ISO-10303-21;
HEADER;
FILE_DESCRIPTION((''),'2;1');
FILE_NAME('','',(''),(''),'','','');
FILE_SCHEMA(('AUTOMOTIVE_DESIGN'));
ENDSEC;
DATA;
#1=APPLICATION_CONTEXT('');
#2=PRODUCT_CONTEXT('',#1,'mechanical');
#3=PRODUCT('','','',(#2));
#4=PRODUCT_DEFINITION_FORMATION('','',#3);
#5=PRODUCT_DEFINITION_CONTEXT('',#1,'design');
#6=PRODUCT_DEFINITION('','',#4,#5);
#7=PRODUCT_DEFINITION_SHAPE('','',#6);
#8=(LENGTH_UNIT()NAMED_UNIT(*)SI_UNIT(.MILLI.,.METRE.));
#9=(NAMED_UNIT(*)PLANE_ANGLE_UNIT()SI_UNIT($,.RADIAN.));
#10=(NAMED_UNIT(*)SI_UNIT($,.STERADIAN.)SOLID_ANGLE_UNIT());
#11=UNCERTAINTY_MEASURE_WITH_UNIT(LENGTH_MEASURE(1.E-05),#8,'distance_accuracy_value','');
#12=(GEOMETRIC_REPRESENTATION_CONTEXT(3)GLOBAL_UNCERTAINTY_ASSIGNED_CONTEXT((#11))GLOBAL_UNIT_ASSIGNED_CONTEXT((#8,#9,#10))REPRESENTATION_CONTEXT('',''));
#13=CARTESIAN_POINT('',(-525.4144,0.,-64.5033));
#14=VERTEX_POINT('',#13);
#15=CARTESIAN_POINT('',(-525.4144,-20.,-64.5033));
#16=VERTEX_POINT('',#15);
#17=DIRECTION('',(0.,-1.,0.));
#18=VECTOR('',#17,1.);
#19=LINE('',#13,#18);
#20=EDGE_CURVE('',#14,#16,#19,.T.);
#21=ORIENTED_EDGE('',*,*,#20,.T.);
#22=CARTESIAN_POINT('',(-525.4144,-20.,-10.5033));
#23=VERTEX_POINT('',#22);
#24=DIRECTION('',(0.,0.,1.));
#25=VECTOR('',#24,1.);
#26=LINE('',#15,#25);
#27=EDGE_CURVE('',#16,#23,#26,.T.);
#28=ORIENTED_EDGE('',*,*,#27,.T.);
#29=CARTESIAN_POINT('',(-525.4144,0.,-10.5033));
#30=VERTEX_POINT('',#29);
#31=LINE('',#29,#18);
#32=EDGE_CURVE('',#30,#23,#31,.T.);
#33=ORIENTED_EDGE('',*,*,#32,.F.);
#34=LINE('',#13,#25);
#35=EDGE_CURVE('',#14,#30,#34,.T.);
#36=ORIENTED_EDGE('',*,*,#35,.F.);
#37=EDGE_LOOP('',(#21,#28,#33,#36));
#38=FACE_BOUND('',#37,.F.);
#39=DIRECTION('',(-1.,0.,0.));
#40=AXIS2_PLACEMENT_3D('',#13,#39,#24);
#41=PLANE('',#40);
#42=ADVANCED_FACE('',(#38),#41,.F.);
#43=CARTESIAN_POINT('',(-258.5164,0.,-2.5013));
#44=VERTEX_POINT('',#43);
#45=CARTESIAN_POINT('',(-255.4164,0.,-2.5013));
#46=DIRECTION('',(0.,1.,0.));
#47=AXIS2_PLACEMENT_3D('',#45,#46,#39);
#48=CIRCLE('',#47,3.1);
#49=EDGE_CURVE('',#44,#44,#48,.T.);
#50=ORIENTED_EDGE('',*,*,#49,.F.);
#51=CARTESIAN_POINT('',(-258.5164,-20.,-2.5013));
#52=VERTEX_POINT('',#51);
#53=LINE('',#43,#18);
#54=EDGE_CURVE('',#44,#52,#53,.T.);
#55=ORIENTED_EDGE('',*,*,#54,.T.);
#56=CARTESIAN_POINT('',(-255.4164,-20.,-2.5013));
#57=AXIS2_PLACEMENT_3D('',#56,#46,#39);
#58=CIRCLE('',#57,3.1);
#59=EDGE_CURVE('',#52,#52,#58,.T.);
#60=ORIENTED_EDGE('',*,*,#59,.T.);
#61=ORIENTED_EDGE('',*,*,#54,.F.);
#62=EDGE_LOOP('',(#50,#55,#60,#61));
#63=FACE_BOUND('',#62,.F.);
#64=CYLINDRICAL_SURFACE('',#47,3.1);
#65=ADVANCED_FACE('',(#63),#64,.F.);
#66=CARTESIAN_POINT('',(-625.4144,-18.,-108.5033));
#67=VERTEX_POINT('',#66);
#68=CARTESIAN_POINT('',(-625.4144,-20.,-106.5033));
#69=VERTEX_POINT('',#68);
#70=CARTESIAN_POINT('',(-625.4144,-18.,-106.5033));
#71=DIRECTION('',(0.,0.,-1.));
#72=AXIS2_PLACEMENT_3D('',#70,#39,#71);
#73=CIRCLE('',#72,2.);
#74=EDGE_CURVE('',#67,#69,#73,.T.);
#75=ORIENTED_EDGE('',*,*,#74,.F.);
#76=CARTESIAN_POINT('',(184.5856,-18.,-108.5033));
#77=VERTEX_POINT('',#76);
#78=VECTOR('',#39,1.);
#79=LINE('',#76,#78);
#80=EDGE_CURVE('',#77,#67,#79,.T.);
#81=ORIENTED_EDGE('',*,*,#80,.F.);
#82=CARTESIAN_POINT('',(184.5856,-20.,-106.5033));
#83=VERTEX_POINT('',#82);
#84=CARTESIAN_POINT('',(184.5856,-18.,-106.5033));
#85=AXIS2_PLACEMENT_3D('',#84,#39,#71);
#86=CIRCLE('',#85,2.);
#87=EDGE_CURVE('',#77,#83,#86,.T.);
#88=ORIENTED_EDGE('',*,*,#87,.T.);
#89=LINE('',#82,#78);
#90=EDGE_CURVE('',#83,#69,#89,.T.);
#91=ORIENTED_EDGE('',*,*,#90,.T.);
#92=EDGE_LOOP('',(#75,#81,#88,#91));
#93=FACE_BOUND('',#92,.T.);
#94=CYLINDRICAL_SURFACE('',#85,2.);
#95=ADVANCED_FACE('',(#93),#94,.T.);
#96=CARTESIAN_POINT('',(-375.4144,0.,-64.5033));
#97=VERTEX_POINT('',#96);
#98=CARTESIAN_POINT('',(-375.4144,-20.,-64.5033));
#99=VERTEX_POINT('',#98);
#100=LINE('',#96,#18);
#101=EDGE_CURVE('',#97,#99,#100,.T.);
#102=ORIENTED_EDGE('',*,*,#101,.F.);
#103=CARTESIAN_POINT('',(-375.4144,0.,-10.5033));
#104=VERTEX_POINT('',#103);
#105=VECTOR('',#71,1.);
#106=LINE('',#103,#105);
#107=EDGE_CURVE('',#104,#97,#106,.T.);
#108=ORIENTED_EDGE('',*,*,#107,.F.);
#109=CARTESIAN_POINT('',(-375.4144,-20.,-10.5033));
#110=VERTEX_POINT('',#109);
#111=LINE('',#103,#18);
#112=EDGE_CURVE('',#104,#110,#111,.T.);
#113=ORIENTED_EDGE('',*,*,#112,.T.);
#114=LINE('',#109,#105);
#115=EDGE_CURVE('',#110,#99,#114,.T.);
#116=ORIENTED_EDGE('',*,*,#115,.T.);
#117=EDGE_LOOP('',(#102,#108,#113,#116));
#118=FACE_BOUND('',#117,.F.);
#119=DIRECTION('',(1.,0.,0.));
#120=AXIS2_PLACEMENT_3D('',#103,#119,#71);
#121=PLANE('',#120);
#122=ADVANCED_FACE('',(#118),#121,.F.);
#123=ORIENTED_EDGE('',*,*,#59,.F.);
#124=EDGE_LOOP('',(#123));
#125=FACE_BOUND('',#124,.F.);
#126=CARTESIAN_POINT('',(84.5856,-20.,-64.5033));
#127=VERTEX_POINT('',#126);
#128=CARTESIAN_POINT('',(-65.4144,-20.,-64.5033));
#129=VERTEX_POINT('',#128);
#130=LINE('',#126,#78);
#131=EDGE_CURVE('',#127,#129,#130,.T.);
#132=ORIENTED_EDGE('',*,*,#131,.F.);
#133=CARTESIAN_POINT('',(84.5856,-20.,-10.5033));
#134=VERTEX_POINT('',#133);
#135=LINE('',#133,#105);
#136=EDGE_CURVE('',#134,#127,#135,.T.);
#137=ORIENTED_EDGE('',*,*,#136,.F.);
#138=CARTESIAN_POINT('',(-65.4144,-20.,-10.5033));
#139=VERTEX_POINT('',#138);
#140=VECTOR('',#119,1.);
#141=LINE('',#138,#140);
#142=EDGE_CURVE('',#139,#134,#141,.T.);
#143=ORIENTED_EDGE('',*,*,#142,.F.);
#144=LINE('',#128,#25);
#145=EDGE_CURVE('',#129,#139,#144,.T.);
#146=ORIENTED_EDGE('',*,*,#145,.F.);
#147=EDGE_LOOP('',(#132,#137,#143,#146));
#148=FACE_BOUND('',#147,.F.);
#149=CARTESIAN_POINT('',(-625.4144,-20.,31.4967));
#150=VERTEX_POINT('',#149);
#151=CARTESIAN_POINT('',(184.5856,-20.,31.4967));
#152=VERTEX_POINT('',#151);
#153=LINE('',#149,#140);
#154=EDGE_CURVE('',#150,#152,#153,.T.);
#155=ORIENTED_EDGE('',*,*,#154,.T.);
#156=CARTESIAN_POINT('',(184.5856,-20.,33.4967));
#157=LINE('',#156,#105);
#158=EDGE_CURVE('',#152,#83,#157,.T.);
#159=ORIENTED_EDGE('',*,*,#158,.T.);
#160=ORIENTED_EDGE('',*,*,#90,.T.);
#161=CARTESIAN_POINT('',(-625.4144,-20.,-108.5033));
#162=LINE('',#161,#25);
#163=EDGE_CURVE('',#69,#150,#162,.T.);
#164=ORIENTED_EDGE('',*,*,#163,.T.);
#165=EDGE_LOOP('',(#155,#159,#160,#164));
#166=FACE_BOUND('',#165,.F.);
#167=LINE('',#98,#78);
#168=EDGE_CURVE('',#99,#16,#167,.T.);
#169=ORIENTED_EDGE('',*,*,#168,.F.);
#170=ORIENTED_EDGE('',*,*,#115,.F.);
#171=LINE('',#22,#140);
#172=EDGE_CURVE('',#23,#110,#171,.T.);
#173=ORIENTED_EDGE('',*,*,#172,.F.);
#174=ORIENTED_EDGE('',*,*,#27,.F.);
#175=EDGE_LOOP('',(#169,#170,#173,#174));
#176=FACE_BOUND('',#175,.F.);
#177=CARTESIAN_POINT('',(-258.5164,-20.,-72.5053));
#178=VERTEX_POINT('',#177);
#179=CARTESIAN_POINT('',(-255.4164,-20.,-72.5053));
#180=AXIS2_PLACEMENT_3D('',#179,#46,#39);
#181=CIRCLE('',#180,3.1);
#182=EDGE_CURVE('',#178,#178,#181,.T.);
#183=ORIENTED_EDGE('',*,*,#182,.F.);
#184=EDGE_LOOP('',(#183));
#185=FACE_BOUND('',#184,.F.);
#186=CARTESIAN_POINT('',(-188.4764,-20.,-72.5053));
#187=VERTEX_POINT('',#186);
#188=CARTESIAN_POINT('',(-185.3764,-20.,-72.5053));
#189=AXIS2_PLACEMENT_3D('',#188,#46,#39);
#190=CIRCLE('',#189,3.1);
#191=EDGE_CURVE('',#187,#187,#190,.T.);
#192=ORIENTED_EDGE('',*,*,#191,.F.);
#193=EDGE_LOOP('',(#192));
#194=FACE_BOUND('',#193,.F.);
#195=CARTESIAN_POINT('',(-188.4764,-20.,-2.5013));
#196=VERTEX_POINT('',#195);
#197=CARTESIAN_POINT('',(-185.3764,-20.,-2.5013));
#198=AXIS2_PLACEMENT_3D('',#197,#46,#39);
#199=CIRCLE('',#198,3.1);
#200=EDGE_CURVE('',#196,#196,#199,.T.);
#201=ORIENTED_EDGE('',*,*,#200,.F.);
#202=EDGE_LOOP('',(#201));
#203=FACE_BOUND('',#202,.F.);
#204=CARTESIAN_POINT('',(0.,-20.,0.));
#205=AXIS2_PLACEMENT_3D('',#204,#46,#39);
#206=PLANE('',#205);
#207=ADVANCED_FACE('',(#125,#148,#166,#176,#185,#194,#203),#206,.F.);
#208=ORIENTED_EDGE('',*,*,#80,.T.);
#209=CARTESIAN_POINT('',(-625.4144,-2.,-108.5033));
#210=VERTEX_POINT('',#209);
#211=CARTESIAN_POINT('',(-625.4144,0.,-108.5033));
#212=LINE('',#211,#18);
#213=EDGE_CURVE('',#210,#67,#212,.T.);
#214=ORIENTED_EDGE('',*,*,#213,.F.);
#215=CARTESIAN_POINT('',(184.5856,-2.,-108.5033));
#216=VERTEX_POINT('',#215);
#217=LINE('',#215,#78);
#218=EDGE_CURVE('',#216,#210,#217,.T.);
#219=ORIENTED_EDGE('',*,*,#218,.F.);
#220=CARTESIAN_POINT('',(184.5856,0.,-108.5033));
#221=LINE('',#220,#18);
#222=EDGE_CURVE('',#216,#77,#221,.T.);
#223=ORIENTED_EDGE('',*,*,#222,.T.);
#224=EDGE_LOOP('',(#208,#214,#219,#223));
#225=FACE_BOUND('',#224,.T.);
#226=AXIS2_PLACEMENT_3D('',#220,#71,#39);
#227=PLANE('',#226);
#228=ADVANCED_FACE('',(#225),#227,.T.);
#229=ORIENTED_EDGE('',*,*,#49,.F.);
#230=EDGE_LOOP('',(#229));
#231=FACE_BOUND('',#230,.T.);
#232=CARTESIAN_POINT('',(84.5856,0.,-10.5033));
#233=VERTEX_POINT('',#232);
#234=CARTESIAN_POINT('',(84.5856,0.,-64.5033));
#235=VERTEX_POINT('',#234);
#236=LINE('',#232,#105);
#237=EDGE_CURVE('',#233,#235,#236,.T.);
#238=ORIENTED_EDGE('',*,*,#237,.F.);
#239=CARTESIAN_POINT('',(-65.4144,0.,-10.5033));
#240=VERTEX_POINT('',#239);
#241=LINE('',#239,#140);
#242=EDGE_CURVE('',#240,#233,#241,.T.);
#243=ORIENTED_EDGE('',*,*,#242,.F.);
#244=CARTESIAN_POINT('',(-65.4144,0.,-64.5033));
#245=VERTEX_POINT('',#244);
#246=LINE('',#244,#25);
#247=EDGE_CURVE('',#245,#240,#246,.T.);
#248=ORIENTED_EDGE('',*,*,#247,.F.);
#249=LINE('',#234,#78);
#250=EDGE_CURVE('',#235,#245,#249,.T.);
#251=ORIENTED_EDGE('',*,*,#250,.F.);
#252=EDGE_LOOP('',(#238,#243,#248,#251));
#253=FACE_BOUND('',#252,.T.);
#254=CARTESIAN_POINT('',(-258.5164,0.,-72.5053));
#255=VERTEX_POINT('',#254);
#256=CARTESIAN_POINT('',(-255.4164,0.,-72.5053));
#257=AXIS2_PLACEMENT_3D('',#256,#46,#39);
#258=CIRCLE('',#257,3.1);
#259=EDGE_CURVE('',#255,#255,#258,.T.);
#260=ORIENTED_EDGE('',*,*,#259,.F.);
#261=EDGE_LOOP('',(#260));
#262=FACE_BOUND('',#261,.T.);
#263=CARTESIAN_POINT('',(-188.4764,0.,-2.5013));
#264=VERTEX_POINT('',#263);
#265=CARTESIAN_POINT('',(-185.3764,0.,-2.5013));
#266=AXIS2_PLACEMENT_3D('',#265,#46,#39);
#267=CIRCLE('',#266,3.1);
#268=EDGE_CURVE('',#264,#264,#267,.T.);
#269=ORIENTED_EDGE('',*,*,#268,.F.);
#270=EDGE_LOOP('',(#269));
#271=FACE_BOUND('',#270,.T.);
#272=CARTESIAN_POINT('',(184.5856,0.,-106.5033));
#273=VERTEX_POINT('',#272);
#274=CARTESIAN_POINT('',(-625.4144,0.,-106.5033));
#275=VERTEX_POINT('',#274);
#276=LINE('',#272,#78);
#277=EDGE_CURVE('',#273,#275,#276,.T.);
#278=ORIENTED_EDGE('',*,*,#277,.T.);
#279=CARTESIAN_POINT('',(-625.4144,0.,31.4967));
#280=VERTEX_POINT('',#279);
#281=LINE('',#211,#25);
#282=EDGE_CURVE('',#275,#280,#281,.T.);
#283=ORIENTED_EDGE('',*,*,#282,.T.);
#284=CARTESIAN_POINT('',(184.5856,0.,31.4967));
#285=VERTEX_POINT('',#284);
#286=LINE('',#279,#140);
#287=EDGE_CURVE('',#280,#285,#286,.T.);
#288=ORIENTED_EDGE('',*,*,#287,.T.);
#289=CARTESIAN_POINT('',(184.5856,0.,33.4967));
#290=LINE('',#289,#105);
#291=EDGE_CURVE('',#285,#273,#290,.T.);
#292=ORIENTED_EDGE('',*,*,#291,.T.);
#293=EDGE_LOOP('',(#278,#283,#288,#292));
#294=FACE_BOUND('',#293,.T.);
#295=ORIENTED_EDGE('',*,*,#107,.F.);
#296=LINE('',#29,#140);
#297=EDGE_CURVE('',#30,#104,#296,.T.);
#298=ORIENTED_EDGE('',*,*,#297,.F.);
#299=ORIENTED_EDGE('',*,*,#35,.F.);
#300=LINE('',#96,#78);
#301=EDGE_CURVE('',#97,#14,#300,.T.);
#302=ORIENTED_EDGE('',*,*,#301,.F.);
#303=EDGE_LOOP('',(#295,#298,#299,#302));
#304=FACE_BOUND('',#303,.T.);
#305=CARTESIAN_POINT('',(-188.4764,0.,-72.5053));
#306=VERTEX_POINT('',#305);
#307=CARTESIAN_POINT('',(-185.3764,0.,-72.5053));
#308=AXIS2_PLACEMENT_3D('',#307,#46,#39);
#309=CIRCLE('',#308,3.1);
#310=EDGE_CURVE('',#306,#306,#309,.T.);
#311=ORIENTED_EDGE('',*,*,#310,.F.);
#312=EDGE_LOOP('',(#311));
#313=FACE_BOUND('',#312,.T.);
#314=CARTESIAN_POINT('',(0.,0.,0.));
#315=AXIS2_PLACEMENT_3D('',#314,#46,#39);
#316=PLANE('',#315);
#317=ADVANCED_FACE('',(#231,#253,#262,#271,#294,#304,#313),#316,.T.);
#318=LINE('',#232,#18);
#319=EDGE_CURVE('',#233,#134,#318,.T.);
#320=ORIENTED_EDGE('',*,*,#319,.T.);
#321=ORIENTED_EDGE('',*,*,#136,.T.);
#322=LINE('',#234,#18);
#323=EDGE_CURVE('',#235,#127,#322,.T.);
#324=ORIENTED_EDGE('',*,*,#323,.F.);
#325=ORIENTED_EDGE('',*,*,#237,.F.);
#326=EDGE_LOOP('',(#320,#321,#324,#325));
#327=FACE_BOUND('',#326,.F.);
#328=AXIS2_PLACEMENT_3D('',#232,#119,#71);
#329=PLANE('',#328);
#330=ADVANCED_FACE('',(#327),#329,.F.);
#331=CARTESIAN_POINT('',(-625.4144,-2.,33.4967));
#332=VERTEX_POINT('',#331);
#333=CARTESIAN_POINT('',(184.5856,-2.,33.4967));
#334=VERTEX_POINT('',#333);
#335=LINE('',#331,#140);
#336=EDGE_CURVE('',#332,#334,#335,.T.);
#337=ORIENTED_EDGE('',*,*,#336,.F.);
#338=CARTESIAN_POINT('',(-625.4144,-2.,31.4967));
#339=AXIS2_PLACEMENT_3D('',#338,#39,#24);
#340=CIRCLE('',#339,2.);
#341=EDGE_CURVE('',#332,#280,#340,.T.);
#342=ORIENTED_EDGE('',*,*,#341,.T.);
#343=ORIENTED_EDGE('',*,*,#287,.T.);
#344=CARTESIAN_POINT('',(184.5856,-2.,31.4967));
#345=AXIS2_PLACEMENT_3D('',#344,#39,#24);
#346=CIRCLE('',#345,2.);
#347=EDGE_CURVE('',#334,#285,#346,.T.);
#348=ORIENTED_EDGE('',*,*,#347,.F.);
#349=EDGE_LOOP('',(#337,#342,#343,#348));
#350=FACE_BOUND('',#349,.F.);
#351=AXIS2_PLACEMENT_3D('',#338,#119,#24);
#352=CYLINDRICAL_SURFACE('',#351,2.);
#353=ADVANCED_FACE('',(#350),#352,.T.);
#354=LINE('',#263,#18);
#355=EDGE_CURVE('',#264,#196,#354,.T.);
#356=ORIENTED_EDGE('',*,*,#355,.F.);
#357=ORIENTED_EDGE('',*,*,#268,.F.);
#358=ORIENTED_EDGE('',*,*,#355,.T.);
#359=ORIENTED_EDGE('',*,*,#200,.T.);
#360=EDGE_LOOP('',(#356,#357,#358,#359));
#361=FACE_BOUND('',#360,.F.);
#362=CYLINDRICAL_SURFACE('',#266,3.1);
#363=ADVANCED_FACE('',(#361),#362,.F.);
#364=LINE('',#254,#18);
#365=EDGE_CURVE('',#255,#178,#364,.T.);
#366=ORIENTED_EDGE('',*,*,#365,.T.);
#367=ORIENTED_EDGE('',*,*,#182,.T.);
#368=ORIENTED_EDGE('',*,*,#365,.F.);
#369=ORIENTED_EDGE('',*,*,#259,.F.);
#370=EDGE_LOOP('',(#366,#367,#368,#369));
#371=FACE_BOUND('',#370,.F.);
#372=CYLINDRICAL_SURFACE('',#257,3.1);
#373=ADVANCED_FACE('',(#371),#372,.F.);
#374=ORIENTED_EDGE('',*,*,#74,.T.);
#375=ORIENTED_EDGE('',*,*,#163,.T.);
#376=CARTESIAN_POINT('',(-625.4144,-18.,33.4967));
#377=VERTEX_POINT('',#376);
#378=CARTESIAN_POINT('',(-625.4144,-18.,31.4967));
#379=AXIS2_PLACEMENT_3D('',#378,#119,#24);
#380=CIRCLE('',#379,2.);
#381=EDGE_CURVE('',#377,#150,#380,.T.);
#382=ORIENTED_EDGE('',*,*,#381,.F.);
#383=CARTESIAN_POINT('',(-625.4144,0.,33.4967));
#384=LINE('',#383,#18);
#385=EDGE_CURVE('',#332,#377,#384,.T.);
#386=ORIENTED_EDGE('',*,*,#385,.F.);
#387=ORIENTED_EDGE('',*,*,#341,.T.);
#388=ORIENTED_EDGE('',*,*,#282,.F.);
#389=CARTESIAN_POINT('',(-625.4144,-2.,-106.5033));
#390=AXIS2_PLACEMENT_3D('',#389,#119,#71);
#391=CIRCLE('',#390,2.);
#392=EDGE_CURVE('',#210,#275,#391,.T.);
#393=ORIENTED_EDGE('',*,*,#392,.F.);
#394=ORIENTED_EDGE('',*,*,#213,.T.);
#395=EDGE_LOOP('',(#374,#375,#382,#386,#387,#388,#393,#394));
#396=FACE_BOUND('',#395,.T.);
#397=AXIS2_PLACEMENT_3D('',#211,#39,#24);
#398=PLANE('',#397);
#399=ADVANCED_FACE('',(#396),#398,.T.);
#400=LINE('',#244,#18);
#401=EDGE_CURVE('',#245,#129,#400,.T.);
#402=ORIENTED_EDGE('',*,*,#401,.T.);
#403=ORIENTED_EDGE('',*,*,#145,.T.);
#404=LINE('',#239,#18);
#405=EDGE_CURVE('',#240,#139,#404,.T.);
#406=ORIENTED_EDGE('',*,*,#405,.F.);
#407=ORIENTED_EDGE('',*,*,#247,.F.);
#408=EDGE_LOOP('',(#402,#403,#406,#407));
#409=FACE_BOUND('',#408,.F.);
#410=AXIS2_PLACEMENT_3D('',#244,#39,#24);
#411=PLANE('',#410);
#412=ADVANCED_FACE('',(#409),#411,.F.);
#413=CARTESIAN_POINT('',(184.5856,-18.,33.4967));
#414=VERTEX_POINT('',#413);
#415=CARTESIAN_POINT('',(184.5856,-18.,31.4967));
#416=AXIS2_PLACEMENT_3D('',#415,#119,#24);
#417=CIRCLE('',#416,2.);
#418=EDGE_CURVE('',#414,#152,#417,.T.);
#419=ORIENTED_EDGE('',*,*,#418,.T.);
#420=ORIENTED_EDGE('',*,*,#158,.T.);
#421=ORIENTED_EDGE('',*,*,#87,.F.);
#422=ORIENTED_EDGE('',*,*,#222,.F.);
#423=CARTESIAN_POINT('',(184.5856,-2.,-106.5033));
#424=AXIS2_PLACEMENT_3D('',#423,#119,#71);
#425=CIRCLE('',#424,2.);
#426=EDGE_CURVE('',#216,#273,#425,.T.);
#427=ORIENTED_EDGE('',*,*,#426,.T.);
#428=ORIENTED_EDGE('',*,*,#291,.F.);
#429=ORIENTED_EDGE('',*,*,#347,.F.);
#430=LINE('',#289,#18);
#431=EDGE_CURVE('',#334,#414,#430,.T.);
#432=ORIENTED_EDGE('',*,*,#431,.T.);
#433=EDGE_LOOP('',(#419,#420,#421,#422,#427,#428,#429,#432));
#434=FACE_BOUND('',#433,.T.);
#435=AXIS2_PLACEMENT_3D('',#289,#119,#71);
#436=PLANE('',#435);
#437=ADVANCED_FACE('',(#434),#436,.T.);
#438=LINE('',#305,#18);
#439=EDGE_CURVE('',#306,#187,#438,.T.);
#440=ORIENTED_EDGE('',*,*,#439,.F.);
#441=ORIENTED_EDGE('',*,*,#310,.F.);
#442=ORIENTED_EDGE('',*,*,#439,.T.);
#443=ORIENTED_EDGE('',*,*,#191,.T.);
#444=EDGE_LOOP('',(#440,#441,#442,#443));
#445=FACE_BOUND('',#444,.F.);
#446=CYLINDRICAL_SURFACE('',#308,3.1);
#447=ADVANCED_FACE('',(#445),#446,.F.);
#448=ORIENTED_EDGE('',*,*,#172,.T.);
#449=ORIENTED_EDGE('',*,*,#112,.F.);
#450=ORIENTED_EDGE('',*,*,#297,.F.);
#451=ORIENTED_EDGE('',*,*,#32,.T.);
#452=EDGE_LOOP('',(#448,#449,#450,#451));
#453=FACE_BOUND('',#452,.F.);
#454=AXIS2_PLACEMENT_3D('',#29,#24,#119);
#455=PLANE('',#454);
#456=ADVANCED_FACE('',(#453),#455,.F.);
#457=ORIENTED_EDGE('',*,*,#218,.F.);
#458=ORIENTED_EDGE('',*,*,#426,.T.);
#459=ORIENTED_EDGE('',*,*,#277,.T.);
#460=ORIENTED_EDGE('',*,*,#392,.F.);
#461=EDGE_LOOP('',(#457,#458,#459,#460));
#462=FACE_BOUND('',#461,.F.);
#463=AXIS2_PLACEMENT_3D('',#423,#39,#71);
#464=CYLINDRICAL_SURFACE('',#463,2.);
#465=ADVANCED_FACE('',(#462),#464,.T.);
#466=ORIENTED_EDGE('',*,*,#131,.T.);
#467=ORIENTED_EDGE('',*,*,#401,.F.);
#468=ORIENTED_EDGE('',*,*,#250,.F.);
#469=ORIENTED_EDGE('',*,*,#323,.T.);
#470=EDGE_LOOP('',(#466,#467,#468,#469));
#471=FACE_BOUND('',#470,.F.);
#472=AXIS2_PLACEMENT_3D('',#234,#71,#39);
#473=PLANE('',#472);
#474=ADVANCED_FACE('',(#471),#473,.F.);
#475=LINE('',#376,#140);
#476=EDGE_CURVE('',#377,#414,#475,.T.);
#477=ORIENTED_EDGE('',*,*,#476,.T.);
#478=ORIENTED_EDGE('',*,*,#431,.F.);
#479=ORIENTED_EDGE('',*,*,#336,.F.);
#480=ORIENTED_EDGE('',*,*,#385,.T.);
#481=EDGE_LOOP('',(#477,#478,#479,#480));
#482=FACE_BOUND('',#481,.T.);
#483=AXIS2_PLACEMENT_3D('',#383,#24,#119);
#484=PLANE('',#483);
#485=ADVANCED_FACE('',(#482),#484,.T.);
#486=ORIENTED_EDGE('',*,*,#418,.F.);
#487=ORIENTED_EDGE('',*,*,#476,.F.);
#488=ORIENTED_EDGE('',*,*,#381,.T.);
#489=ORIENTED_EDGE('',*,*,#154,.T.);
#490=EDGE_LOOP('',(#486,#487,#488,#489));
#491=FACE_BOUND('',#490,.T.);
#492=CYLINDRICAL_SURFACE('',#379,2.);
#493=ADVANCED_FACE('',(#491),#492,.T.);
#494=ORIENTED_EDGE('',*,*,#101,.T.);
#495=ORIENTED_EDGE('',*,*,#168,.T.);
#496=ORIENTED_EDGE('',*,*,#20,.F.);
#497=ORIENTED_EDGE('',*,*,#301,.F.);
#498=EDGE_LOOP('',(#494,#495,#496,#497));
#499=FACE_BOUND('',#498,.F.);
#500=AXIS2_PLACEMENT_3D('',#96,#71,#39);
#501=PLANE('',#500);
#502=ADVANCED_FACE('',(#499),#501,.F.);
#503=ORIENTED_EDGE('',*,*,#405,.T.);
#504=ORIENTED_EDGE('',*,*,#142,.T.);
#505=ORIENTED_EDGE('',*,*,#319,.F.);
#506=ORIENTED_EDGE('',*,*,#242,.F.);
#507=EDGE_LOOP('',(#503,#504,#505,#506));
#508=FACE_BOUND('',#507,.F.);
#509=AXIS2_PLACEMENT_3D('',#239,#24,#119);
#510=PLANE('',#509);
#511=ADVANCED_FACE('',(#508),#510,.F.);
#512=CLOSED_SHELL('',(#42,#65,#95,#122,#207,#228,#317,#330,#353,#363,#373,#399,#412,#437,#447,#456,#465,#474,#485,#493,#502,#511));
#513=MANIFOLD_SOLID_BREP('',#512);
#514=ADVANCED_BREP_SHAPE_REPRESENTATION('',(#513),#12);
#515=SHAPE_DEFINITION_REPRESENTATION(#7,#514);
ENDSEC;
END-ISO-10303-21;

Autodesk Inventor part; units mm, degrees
ref_plane "YZ Plane" through (0, 0, 0) normal (1, 0, 0) x (0, 1, 0)
ref_plane "XZ Plane" through (0, 0, 0) normal (0, 1, 0) x (-1, 0, 0)
ref_plane "XY Plane" through (0, 0, 0) normal (0, 0, 1) x (1, 0, 0)
sketch "Skizze1" plane through (0, 0, 0) normal (0, 1, 0) x (-1, 0, 0)
  line L0 (625.4144, 33.4967) -> (-184.5856, 33.4967)
  line L1 (-184.5856, 33.4967) -> (-184.5856, -108.5033)
  line L2 (-184.5856, -108.5033) -> (625.4144, -108.5033)
  line L3 (625.4144, -108.5033) -> (625.4144, 33.4967)
  line L4 (525.4144, -10.5033) -> (375.4144, -10.5033)
  line L5 (375.4144, -10.5033) -> (375.4144, -64.5033)
  line L6 (375.4144, -64.5033) -> (525.4144, -64.5033)
  line L7 (525.4144, -64.5033) -> (525.4144, -10.5033)
  line L8 (65.4144, -10.5033) -> (-84.5856, -10.5033)
  line L9 (-84.5856, -10.5033) -> (-84.5856, -64.5033)
  line L10 (-84.5856, -64.5033) -> (65.4144, -64.5033)
  line L11 (65.4144, -64.5033) -> (65.4144, -10.5033)
  circle A0 centre (255.4164, -2.5013) radius 3.1
  circle A1 centre (185.3764, -2.5013) radius 3.1
  circle A2 centre (255.4164, -72.5053) radius 3.1
  circle A3 centre (185.3764, -72.5053) radius 3.1
  point P0 (0, 0)
  dimension "d0" = 142
  dimension "d1" = 810
  dimension "d2" = 54
  dimension "d3" = 54
  dimension "d4" = 150
  dimension "d5" = 150
  dimension "d6" = 44
  dimension "d7" = 44
  dimension "d8" = 100
  dimension "d9" = 100
  dimension "d10" = 6.2
  dimension "d11" = 6.2
  dimension "d12" = 6.2
  dimension "d13" = 6.2
  dimension "d14" = 70.004
  dimension "d15" = 0
  dimension "d16" = 0
  dimension "d17" = 70.04
  dimension "d18" = 0
  dimension "d19" = 0
  dimension "d20" = 35.998
  dimension "d21" = 369.998
extrude "Extrusion1" add sketch "Skizze1" against normal blind 20
fillet "Rundung1" radius 2 4 edges at (-220.4144, -20, 33.4967) (-220.4144, 0, 33.4967) (-220.4144, -20, -108.5033) (-220.4144, 0, -108.5033)
properties part number "VerstaerkungHintenMitte"
